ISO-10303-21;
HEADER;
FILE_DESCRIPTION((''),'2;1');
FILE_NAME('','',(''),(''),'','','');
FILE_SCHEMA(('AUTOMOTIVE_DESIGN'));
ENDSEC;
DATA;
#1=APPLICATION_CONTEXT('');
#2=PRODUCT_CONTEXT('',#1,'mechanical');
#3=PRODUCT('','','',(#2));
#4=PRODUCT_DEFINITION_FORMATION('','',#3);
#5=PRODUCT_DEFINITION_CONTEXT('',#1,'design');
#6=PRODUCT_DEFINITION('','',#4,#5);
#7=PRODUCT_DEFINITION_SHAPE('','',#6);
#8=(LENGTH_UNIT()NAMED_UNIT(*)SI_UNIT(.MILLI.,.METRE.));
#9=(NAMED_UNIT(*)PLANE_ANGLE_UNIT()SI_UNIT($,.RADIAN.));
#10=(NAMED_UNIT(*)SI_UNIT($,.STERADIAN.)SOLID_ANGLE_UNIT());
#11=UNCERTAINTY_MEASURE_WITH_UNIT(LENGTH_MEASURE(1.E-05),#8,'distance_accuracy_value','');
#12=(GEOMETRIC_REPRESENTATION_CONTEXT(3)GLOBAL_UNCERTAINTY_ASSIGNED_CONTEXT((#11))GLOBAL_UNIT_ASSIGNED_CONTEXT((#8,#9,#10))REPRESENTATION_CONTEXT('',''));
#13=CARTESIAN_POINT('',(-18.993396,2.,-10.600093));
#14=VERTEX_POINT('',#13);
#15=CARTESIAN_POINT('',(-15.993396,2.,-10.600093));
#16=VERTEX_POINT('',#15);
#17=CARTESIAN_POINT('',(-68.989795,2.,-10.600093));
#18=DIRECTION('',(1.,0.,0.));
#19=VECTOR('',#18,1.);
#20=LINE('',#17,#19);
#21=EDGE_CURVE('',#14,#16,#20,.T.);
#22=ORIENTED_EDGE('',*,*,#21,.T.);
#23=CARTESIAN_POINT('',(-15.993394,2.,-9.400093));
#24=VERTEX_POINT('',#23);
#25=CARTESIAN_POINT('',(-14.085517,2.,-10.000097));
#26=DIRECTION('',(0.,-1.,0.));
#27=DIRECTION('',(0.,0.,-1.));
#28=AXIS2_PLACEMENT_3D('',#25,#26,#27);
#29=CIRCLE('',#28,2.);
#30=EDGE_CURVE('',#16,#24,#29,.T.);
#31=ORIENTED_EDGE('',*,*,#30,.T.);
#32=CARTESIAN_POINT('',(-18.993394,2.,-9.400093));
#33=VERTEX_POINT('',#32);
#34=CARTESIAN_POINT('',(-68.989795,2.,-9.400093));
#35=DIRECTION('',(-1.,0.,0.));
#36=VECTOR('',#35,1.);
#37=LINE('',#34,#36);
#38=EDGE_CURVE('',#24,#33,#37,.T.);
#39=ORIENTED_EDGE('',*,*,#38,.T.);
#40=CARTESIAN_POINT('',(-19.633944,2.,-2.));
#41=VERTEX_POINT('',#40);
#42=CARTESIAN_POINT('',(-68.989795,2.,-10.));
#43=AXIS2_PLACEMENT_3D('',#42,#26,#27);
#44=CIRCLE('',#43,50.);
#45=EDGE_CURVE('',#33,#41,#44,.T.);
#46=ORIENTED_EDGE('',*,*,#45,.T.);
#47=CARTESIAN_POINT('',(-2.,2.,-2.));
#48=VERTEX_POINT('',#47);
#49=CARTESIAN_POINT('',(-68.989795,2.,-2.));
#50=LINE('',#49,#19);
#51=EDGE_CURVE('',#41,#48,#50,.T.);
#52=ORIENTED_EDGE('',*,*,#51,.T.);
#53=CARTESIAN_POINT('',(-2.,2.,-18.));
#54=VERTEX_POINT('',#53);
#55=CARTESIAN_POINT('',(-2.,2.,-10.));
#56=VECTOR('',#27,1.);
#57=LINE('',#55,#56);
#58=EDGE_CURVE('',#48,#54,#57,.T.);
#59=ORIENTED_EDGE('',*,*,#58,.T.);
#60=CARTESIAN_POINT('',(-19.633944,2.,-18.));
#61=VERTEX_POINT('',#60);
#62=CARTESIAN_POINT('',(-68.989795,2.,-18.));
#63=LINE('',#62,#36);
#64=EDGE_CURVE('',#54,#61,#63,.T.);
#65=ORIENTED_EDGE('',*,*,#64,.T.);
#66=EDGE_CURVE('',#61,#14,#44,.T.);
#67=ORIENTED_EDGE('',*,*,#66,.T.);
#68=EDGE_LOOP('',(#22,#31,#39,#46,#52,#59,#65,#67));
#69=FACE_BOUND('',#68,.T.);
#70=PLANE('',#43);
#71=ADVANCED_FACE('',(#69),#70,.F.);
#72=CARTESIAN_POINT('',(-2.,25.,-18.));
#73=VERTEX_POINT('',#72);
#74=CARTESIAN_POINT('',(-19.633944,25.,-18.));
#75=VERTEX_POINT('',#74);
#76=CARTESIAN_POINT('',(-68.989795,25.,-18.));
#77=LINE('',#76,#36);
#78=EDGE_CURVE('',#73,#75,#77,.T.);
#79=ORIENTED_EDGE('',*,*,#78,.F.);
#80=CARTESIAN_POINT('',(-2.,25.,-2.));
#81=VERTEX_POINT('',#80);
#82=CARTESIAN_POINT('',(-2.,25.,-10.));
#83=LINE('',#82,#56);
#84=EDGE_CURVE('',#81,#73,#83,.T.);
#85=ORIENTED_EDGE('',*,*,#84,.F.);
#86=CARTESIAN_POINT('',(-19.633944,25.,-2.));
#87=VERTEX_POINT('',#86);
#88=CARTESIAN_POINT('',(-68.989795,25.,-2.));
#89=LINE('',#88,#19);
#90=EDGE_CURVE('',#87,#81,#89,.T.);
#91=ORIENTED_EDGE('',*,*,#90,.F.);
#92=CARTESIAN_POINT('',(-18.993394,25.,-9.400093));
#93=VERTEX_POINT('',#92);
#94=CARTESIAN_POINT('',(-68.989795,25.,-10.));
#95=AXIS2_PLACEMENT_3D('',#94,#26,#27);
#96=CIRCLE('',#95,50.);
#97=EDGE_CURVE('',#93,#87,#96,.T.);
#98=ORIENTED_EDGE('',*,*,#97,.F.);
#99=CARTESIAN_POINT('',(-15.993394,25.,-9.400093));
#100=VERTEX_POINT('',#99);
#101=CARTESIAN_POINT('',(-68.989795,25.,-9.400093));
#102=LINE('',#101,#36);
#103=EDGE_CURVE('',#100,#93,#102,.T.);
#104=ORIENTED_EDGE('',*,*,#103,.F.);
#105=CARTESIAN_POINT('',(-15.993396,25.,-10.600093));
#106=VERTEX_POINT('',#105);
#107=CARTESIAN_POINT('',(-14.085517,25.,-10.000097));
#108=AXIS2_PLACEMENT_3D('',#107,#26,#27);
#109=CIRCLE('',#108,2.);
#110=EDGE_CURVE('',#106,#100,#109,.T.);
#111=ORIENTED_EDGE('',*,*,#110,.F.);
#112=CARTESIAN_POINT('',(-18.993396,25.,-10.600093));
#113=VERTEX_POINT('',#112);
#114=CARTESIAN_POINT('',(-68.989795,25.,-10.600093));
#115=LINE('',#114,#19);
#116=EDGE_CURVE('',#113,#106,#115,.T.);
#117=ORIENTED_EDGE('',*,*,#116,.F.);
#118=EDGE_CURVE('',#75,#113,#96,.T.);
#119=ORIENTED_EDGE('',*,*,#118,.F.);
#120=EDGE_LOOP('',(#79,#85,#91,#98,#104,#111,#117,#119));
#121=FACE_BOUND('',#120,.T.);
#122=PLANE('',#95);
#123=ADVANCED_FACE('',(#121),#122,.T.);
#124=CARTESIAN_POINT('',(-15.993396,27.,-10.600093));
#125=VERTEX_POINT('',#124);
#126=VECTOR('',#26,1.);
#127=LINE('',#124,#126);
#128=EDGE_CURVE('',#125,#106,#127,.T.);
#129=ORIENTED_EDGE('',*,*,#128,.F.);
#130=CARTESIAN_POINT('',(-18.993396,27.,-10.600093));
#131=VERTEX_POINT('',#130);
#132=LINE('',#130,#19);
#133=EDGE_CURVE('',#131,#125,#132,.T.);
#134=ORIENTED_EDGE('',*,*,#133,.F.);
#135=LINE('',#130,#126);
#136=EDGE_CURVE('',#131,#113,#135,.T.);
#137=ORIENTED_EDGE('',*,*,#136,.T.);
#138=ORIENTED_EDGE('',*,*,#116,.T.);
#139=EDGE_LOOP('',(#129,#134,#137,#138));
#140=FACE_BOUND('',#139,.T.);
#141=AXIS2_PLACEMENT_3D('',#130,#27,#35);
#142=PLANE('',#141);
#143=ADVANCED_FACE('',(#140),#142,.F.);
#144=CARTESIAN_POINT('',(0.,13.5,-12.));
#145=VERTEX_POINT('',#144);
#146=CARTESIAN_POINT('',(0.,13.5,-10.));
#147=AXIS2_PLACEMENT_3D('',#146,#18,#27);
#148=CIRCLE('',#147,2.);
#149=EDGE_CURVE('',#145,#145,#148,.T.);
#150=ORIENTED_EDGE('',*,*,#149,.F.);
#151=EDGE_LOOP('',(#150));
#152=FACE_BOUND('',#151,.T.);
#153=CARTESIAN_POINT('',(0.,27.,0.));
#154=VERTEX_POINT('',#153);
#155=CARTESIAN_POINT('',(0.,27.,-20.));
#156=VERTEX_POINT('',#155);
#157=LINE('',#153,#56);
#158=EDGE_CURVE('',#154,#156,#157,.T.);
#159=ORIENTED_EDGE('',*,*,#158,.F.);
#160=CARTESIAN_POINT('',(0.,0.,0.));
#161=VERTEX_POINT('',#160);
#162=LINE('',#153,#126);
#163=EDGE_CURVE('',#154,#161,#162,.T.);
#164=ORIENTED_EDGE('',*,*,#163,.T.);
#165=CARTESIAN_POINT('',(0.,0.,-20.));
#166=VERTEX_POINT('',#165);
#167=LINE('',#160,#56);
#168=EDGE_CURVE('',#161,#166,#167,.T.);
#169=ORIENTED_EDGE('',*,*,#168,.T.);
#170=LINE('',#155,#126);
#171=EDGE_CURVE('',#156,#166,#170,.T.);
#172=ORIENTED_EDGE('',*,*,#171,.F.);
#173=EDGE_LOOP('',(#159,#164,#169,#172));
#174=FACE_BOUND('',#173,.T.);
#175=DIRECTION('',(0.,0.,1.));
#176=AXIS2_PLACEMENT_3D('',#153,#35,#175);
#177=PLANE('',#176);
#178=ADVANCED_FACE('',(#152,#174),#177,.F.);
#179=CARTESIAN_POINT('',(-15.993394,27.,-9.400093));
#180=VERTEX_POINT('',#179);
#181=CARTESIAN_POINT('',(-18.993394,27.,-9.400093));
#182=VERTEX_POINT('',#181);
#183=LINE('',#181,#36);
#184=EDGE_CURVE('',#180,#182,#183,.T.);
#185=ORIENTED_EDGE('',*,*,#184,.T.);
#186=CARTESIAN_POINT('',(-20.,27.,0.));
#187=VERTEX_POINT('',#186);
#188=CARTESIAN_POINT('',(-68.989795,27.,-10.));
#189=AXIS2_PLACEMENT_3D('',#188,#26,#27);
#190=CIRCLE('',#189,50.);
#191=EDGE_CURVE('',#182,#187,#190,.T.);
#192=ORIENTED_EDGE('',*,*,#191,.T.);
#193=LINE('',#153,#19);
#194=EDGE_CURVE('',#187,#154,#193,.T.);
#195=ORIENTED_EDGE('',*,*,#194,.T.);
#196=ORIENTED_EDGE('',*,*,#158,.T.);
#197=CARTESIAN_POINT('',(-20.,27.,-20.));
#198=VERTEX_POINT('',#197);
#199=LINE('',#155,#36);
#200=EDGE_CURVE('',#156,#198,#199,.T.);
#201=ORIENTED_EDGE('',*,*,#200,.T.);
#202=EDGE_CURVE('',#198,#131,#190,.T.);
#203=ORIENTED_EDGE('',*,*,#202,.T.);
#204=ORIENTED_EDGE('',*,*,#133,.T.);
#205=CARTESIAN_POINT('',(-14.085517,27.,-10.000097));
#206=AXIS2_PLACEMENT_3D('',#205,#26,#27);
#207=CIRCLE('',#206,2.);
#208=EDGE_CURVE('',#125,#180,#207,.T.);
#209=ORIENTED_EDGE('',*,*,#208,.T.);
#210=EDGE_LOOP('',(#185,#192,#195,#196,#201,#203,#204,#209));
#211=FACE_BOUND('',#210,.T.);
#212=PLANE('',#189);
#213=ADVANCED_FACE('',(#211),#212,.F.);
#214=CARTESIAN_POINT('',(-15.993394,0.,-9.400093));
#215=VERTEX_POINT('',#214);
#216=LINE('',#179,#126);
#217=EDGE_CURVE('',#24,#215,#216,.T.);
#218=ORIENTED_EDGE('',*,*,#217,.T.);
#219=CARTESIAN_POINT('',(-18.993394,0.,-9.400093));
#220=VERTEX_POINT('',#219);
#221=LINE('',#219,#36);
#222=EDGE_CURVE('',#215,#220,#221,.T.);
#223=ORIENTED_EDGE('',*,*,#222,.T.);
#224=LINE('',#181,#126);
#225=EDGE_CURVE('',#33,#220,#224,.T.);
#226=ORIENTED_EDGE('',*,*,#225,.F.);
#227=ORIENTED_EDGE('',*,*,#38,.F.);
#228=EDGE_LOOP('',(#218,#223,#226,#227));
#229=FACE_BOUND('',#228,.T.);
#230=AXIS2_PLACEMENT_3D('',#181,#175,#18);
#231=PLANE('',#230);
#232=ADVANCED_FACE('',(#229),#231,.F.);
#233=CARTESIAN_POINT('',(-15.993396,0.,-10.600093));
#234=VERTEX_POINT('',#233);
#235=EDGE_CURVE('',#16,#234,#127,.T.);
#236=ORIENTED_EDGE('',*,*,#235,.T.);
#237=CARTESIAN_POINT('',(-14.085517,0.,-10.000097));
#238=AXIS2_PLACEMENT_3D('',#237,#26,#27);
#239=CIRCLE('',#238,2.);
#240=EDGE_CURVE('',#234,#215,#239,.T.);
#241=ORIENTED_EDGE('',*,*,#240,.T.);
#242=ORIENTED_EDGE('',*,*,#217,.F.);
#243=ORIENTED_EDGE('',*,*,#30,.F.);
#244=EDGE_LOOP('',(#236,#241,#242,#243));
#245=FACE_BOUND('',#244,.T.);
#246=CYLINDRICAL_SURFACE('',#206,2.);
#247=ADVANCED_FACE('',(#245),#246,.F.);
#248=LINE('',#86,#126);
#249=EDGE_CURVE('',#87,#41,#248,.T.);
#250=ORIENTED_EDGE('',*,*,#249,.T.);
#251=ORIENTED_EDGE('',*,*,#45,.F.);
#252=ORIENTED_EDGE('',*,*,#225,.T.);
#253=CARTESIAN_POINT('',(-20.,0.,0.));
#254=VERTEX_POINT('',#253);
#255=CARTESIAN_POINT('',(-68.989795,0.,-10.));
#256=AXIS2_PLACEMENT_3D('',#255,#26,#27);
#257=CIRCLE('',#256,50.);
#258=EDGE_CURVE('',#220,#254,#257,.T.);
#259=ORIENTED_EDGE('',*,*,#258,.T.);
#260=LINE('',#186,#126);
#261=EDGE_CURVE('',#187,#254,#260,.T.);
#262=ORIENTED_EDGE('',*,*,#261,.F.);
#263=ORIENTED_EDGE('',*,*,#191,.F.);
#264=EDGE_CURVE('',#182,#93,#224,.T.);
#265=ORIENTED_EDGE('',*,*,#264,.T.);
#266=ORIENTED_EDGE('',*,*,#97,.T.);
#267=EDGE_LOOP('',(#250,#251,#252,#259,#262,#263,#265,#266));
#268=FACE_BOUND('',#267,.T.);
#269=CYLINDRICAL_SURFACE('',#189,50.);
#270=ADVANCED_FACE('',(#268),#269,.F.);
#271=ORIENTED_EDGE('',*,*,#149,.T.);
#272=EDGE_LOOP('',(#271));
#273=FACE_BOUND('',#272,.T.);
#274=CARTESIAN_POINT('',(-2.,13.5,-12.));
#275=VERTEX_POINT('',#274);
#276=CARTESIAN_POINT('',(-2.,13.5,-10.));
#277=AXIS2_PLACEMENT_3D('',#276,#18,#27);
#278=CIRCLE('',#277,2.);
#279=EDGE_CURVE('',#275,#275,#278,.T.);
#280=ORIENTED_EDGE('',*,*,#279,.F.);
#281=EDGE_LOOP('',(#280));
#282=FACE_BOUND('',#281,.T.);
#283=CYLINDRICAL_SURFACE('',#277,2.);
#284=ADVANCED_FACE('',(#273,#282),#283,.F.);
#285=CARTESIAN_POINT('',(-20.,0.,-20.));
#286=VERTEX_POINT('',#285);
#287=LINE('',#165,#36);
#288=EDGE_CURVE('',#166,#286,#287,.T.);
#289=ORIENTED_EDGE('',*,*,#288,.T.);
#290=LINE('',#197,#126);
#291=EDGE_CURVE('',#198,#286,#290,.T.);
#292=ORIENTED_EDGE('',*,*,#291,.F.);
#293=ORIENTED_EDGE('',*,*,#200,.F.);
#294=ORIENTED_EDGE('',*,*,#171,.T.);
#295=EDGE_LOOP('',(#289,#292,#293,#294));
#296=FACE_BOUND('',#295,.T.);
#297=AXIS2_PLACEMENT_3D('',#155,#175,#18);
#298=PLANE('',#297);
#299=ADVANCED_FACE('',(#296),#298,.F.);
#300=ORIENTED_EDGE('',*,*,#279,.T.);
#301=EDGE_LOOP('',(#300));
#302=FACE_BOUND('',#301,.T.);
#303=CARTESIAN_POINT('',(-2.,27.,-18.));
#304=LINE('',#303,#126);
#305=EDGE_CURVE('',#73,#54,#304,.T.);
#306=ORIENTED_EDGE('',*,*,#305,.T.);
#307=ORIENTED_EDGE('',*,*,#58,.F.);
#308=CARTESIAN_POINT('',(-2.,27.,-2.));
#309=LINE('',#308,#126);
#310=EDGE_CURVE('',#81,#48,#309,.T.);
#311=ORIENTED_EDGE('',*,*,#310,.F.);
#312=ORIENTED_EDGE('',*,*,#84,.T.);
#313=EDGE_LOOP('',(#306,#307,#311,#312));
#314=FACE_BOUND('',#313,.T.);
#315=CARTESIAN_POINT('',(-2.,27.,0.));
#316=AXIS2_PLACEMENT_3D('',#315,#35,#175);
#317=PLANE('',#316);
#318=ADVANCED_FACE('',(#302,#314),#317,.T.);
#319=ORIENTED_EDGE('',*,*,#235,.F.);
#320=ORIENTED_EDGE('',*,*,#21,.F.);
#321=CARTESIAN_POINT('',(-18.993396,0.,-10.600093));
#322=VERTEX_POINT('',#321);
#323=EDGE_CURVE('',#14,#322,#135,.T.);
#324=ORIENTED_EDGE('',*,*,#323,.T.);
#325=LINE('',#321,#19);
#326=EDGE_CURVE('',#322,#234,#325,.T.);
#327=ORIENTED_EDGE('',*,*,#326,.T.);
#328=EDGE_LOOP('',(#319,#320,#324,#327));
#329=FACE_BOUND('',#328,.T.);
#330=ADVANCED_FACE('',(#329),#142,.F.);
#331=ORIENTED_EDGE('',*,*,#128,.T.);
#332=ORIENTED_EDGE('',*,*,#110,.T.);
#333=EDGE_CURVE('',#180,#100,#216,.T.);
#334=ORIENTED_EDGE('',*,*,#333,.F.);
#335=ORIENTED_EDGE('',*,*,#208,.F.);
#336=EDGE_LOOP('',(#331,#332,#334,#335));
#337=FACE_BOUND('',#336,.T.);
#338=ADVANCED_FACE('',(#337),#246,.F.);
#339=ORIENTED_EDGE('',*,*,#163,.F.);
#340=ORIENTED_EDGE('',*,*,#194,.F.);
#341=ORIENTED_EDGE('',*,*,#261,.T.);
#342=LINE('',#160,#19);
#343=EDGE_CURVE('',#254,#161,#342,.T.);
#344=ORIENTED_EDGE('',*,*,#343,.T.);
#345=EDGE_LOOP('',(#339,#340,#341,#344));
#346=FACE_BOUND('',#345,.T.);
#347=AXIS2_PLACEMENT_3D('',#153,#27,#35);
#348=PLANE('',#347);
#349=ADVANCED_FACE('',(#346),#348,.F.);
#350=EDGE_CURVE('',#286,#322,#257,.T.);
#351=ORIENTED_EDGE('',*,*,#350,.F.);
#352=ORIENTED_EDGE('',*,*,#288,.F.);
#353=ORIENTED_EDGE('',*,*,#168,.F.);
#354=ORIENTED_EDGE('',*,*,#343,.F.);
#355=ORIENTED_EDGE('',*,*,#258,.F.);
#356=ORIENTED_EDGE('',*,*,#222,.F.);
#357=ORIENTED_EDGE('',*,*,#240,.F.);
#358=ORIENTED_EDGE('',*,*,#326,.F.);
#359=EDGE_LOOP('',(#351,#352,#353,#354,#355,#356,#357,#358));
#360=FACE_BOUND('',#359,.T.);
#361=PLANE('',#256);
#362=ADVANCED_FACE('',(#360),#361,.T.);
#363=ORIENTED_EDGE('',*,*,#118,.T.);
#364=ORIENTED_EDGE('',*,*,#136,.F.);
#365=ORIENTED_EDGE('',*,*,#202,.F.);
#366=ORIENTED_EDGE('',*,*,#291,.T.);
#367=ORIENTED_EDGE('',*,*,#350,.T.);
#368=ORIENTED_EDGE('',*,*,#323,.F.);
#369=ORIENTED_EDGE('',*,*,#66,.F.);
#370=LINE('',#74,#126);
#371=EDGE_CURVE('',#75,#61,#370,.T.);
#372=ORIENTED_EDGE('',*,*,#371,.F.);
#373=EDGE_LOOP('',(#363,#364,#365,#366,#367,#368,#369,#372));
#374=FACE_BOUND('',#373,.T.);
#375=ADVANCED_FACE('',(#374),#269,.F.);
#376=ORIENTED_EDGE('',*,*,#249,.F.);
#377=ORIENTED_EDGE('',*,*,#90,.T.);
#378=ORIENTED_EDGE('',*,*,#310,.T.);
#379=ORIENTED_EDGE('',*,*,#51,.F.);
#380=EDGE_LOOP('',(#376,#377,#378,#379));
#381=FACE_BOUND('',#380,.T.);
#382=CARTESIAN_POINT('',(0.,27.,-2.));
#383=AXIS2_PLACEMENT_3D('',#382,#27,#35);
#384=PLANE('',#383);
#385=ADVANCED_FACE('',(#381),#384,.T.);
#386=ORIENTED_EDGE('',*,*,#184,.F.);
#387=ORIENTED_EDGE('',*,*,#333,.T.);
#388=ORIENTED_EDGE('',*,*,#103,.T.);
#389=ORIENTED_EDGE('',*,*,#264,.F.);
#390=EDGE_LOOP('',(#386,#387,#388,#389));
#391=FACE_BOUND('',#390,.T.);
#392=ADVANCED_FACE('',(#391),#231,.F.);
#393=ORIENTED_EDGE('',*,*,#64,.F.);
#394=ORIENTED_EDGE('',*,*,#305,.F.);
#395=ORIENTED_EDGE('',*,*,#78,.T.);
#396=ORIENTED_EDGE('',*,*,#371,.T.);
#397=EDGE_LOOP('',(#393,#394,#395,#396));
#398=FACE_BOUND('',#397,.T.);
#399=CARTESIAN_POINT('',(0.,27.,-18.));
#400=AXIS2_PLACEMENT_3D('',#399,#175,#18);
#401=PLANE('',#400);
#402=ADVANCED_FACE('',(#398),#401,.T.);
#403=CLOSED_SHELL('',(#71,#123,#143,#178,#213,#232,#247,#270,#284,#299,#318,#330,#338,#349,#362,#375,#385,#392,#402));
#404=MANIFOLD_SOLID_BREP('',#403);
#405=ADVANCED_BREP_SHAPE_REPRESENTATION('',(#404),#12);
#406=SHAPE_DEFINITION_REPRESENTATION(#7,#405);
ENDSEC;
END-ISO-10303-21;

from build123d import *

# Parameters (mm, degrees)
BOSS_EXTRUDE1_DEPTH = 27
SHELL3_T            = -2
CUT_EXTRUDE1_DEPTH  = 2


with BuildPart() as part:
    # Sketch2 → Boss-Extrude1 (new body)
    with BuildSketch(Plane(origin=(0, 0, 0), x_dir=(1, 0, 0), z_dir=(0, 1, 0))):
        with BuildLine():
            Line((-18.993396104, 10.600093214), (-15.993396104, 10.600093214))
            ThreePointArc((-15.993396104, 10.600093214), (-12.085516583, 10.0001005), (-15.993393867, 9.400093214))
            Line((-15.993393867, 9.400093214), (-18.993393867, 9.400093214))
            ThreePointArc((-18.993393867, 9.400093214), (-19.274030957, 4.676202489), (-20, 0))
            Line((-20, 0), (0, 0))
            Line((0, 0), (0, 20))
            Line((0, 20), (-20, 20))
            ThreePointArc((-20, 20), (-19.274040883, 15.323890203), (-18.993396104, 10.600093214))
        make_face()
    extrude(amount=BOSS_EXTRUDE1_DEPTH)

    # Shell3
    shell3_openings = [part.faces().sort_by_distance(p)[0] for p in [
        (-19.274030957, 13.5, -4.676202489),
        (-17.493393867, 13.5, -9.400093214),
        (-12.085516583, 13.5, -10.0001005),
        (-17.493396104, 13.5, -10.600093214),
        (-19.274040883, 13.5, -15.323890203),
    ]]
    offset(amount=SHELL3_T, openings=shell3_openings, kind=Kind.INTERSECTION)

    # Sketch3 → Cut-Extrude1 (cut)
    with BuildSketch(Plane(origin=(0, 0, 0), x_dir=(0, 0, -1), z_dir=(1, 0, 0))):
        with BuildLine():
            ThreePointArc((12, 13.5), (10.89974713, 15.286184509), (8.809544899, 15.107114387))
            Line((8.809544899, 15.107114387), (11.190455101, 11.892885613))
            ThreePointArc((11.190455101, 11.892885613), (11.786184509, 12.60025287), (12, 13.5))
        make_face()
        with BuildLine():
            Line((11.190455101, 11.892885613), (8.809544899, 15.107114387))
            ThreePointArc((8.809544899, 15.107114387), (8.392885613, 12.309544899), (11.190455101, 11.892885613))
        make_face()
    extrude(amount=-CUT_EXTRUDE1_DEPTH, mode=Mode.SUBTRACT)


solid = part.part
